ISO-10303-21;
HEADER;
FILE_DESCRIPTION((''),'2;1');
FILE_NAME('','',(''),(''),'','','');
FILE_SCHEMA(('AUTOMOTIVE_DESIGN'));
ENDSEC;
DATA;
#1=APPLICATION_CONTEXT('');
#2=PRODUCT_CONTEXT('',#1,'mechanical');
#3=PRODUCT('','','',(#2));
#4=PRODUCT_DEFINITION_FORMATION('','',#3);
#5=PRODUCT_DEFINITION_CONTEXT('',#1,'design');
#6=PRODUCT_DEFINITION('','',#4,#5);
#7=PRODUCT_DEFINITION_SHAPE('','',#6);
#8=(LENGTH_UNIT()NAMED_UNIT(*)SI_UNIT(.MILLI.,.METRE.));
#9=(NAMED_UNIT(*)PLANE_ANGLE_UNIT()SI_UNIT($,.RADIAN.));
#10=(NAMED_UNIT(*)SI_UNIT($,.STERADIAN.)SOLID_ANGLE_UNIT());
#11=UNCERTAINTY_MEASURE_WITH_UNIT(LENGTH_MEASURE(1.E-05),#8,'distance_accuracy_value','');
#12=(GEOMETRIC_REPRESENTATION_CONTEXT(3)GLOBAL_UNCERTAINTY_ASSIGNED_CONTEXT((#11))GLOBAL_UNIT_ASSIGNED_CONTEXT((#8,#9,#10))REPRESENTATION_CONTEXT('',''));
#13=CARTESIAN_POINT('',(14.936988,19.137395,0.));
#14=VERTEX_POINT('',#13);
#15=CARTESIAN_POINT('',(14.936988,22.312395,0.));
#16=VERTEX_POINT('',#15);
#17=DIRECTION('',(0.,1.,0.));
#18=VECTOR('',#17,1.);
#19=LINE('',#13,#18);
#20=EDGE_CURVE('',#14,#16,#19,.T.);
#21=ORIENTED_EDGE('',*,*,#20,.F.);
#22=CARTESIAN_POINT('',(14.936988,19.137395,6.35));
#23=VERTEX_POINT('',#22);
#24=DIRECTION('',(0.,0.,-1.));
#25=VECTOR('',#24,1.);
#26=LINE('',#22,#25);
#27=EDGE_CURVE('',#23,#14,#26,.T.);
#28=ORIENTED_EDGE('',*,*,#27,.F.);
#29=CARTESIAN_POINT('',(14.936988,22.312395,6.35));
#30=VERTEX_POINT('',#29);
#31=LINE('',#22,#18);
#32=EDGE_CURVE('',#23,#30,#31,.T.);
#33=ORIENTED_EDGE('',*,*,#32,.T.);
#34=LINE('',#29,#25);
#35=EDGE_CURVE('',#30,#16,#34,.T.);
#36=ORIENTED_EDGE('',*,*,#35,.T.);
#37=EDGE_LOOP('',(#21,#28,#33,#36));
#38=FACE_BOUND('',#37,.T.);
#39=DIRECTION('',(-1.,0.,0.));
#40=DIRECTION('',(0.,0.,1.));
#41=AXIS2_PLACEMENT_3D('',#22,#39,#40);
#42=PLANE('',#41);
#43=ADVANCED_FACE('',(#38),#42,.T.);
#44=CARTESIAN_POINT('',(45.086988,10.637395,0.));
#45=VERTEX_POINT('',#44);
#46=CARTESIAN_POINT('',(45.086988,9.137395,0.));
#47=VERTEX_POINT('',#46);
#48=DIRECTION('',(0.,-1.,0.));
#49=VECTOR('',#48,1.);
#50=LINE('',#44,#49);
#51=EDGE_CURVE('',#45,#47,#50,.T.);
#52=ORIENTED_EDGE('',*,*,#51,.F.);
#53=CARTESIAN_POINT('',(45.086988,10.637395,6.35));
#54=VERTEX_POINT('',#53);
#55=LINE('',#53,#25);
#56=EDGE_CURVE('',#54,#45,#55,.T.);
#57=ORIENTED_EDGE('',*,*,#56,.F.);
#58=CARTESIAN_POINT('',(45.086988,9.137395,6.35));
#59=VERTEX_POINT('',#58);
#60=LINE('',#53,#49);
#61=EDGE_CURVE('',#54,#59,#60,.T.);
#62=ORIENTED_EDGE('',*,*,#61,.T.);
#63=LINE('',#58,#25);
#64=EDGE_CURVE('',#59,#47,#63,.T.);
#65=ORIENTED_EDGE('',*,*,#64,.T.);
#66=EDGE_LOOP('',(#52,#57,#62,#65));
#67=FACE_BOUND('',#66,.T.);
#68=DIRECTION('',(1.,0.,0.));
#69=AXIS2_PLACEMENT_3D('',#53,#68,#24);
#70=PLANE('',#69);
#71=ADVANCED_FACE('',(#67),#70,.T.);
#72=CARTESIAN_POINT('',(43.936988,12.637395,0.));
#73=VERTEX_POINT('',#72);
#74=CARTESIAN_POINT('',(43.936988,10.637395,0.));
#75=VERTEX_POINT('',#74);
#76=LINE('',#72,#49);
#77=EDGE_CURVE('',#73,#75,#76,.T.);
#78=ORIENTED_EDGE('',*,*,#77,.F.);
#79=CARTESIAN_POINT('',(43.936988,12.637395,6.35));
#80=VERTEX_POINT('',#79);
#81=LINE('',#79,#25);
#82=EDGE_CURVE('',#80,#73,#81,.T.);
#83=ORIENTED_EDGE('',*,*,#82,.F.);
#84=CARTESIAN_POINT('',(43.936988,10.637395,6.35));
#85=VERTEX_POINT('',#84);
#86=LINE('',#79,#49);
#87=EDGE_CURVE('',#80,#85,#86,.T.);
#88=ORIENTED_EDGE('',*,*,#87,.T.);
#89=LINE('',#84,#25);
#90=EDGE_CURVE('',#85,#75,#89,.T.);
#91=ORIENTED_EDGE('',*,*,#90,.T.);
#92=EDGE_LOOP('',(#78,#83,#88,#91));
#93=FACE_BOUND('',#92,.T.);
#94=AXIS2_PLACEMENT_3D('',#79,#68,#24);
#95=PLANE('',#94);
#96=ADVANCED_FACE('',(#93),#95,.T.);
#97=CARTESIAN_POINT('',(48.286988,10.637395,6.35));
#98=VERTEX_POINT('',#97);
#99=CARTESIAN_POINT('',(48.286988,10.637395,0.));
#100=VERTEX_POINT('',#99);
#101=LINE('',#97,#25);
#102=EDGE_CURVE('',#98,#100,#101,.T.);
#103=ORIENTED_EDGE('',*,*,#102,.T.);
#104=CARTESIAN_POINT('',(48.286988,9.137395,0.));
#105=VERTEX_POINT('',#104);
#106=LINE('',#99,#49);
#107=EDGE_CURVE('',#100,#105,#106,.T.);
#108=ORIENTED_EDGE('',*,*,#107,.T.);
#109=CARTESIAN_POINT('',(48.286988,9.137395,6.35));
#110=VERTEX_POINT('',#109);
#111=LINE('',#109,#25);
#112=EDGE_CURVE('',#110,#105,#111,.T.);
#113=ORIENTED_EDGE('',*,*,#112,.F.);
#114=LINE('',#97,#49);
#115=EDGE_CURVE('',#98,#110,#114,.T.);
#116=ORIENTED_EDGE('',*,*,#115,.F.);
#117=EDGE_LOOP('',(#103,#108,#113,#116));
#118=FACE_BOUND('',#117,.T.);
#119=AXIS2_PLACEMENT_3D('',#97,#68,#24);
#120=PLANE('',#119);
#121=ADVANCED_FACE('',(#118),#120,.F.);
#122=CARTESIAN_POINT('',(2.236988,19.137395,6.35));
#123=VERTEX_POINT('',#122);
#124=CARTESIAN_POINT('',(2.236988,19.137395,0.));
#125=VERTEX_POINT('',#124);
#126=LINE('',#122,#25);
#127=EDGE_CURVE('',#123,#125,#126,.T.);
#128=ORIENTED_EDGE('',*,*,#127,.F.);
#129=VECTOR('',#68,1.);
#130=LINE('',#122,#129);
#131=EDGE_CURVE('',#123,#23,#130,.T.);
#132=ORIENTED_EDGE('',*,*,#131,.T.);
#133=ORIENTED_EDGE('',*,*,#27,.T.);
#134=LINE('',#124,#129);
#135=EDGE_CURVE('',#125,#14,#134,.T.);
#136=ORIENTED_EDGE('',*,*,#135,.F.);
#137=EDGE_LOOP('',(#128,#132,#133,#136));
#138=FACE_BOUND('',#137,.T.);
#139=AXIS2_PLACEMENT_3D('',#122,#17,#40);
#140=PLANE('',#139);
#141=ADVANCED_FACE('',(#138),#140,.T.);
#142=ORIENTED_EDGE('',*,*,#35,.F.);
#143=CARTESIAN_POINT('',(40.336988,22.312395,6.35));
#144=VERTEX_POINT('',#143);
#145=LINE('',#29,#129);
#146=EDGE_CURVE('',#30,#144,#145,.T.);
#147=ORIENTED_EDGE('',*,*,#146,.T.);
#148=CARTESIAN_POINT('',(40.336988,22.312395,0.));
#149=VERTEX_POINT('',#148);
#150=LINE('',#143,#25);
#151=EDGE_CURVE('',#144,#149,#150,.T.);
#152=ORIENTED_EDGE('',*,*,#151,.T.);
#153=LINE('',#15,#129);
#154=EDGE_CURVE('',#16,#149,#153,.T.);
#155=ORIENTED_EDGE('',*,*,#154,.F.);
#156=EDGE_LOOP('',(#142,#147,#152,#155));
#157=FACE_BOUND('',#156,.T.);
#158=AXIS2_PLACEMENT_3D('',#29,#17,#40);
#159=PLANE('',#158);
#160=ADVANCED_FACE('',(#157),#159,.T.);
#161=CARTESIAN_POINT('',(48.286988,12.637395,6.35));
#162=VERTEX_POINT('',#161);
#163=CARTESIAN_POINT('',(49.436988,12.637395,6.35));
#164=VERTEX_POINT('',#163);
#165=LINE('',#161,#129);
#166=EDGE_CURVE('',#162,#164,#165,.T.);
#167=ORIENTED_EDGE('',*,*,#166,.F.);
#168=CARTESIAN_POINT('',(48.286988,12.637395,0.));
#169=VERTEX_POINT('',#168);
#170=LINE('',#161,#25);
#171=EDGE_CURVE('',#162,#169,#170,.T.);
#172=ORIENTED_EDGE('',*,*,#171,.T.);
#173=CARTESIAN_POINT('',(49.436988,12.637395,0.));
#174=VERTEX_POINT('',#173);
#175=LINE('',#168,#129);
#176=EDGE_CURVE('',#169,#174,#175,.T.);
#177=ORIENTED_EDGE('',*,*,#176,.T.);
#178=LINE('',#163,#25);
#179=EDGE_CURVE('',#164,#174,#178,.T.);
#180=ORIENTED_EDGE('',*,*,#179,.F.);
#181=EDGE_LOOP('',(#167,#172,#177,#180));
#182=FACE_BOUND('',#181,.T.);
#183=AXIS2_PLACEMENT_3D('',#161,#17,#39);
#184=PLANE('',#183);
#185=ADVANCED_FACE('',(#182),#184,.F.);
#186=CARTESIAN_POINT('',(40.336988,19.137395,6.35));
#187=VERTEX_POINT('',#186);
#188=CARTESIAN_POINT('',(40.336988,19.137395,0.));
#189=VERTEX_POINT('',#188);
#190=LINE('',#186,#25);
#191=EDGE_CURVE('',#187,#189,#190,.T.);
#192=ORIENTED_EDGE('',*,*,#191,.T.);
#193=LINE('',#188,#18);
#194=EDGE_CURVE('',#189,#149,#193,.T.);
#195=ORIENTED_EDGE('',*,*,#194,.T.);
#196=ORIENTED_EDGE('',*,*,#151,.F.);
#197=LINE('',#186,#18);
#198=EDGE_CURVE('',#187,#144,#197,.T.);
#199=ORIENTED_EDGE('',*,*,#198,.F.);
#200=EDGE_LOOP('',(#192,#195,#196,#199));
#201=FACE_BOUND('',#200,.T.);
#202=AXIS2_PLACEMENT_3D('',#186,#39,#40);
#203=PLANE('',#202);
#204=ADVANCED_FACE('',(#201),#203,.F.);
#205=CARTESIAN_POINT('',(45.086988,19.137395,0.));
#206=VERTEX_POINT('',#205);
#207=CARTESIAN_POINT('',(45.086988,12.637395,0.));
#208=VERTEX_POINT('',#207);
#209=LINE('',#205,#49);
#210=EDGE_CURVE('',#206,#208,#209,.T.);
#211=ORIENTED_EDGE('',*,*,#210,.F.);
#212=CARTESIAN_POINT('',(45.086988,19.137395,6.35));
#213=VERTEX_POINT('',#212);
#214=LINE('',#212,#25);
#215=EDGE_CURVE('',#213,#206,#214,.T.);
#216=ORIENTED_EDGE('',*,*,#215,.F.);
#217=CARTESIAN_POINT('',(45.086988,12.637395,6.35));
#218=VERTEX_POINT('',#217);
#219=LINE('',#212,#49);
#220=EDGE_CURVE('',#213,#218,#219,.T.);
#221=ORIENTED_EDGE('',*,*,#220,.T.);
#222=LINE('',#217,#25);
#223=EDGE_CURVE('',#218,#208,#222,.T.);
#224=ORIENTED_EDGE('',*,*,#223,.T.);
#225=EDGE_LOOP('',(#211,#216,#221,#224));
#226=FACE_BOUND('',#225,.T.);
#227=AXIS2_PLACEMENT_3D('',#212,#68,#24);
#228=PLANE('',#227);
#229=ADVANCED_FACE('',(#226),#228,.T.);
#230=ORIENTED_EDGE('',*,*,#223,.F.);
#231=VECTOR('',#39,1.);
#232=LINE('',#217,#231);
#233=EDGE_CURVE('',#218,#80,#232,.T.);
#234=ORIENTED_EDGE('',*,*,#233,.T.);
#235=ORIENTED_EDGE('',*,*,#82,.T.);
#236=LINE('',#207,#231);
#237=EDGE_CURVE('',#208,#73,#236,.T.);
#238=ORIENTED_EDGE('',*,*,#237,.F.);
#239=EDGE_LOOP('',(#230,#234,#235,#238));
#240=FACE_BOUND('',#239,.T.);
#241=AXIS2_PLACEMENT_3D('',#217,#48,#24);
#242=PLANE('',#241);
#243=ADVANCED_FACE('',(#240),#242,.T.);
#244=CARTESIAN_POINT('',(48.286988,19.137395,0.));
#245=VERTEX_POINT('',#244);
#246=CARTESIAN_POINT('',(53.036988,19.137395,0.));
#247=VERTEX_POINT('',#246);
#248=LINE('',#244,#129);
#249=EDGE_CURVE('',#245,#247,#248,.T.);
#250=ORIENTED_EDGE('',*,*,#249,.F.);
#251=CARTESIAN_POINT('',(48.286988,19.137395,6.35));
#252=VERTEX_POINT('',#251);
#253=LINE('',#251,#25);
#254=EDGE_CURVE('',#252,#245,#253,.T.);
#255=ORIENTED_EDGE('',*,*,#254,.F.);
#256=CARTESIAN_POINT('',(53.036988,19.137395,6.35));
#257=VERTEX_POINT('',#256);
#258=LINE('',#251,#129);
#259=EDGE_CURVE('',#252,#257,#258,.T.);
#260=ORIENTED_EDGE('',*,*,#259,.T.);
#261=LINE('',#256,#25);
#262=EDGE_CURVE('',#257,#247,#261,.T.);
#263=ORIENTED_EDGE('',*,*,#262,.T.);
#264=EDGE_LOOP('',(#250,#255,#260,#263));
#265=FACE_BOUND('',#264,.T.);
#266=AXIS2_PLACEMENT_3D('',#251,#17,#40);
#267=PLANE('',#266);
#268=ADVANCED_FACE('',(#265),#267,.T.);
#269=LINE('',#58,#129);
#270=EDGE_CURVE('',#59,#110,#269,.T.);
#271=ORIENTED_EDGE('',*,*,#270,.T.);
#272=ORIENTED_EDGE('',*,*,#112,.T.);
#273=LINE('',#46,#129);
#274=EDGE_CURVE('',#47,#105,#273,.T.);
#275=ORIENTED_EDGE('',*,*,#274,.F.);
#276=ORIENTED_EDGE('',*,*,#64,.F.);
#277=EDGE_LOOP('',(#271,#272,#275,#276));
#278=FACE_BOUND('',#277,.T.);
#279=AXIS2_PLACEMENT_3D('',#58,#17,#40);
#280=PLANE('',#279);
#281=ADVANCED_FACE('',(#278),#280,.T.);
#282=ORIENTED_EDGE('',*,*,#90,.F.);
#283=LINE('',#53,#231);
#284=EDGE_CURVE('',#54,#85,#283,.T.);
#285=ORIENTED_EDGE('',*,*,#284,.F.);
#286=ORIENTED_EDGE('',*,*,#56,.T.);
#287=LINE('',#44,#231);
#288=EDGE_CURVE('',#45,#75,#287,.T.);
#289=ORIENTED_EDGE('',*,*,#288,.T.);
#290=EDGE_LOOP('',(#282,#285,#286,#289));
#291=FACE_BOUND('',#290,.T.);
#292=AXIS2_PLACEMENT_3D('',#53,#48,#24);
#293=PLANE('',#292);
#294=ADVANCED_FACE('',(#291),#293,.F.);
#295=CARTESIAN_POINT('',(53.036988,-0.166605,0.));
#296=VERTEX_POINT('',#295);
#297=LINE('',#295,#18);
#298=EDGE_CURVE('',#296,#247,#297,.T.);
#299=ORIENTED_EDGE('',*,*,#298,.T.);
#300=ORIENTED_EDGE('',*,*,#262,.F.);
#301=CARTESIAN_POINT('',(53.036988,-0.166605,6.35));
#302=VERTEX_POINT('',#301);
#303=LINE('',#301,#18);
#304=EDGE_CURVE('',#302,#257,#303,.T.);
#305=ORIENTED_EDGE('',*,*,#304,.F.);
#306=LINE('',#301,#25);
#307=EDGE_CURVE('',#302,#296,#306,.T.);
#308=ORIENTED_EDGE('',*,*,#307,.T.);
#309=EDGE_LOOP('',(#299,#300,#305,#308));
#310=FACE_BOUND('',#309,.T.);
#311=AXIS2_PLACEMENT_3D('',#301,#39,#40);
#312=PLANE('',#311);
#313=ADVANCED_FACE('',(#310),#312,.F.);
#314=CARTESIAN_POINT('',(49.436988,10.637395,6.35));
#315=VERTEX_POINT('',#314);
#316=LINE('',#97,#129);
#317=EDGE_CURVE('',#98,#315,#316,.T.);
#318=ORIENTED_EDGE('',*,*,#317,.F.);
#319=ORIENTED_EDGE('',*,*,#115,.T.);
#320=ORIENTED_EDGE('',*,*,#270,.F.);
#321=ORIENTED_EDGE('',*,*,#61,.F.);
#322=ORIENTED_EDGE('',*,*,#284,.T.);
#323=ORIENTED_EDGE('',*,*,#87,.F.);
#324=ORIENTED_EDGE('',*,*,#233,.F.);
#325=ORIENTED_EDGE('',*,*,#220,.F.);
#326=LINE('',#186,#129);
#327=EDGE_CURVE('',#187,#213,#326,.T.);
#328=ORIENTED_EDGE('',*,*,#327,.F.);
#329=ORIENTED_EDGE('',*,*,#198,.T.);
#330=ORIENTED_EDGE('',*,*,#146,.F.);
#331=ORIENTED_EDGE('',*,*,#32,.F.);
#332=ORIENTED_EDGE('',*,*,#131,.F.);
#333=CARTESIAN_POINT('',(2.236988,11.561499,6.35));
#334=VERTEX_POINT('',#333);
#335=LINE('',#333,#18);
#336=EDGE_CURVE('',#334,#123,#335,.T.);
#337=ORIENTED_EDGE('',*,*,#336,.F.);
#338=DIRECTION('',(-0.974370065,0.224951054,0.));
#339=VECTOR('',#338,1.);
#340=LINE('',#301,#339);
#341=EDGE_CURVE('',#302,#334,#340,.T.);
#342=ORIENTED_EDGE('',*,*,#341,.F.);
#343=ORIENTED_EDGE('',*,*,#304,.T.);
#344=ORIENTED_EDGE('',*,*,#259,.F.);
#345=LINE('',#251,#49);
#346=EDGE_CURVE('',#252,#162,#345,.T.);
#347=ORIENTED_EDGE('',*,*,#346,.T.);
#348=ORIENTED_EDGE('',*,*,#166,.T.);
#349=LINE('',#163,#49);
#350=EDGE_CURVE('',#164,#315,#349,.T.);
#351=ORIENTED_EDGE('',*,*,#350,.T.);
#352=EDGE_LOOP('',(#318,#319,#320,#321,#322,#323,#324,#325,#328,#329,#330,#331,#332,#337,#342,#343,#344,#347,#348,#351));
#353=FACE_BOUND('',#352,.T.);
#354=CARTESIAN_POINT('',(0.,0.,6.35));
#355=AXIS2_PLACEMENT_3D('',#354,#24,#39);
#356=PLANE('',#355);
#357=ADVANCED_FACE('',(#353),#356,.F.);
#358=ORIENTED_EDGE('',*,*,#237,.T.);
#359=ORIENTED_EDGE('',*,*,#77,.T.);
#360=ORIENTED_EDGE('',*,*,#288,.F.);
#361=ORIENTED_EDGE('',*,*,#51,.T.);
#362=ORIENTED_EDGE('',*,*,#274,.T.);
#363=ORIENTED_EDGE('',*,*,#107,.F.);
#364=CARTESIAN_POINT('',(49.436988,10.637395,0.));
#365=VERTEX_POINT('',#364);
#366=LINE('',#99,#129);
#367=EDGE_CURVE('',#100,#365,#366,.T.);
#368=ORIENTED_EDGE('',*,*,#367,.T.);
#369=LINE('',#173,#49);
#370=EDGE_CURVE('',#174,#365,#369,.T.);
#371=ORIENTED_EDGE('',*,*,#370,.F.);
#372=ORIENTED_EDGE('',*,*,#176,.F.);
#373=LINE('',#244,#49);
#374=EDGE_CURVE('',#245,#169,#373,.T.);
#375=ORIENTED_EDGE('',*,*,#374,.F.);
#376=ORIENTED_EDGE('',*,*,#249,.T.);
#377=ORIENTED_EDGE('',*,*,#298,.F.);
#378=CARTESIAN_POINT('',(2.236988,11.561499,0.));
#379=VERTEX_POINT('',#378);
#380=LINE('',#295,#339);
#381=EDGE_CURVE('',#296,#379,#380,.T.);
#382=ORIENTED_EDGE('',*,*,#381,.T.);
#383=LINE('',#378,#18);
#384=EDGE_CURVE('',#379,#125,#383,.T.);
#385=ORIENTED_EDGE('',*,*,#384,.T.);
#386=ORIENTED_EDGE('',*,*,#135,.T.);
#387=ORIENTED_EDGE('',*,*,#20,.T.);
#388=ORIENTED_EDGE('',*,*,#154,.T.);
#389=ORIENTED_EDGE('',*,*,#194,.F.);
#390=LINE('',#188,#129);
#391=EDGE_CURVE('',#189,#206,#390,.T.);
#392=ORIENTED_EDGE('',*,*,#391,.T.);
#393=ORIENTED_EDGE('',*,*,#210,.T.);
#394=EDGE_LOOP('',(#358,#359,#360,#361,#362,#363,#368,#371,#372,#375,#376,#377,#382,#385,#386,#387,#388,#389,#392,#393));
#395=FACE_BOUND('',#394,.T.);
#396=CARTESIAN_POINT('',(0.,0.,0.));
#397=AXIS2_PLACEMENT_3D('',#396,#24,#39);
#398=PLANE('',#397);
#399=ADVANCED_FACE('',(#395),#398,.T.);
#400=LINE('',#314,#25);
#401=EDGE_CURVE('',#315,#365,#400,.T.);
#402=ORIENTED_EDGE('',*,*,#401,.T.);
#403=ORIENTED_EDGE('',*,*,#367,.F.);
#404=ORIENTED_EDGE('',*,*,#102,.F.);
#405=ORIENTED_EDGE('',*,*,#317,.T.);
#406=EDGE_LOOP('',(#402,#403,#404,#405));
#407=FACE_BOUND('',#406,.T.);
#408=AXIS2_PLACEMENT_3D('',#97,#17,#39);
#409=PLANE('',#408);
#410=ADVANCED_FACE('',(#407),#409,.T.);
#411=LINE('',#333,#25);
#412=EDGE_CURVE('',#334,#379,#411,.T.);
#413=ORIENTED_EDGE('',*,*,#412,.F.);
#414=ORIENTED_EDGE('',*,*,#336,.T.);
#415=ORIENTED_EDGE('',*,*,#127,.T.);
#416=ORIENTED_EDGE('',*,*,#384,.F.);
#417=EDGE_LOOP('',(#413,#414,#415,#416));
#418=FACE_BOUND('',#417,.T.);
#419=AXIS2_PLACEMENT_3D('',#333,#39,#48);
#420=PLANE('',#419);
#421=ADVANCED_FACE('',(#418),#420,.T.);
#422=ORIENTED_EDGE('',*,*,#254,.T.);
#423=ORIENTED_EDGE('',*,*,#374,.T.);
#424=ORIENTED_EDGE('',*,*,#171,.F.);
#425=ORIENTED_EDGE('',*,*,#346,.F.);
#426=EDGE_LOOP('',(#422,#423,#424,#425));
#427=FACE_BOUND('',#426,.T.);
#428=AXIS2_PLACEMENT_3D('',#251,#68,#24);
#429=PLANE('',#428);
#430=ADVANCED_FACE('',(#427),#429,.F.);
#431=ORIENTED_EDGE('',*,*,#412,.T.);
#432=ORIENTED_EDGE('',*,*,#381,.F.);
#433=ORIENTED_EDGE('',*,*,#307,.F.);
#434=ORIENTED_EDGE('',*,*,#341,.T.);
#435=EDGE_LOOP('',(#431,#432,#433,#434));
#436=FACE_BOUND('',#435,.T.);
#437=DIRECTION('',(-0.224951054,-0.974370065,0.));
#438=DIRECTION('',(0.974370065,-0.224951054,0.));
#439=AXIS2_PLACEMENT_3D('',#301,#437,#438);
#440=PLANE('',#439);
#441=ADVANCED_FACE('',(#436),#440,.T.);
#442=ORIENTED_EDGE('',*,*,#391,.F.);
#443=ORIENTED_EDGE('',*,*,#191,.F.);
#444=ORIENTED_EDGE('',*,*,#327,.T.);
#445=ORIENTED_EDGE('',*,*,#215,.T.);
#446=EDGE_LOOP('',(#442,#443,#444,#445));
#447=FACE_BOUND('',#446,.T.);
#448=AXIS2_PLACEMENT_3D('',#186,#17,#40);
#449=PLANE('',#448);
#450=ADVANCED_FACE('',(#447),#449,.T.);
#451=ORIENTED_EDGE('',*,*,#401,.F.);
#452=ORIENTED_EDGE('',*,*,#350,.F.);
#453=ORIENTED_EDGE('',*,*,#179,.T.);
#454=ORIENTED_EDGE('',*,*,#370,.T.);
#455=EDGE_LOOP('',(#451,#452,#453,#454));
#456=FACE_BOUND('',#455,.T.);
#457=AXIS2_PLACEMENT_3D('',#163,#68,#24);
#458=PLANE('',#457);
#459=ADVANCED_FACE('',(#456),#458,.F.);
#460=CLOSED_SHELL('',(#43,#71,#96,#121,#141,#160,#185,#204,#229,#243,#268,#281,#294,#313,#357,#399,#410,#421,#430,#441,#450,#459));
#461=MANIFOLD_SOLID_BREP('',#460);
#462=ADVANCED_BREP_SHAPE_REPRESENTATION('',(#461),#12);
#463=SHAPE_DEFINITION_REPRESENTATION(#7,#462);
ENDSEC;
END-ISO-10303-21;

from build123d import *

# Parameters (mm, degrees)
BOSS_EXTRUDE1_DEPTH = 6.35


with BuildPart() as part:
    # Sketch1 → Boss-Extrude1 (new body)
    with BuildSketch(Plane.XY):
        Polygon((53.036987921, -0.166605104), (2.236987921, 11.561499005), (2.236987921, 19.137394896), (14.936987921, 19.137394896), (14.936987921, 22.312394896), (40.336987921, 22.312394896), (40.336987921, 19.137394896), (45.086987921, 19.137394896), (45.086987921, 12.637394896), (43.936987921, 12.637394896), (43.936987921, 10.637394896), (45.086987921, 10.637394896), (45.086987921, 9.137394896), (48.286987921, 9.137394896), (48.286987921, 10.637394896), (49.436987921, 10.637394896), (49.436987921, 12.637394896), (48.286987921, 12.637394896), (48.286987921, 19.137394896), (53.036987921, 19.137394896), align=None)
    extrude(amount=BOSS_EXTRUDE1_DEPTH)


solid = part.part
